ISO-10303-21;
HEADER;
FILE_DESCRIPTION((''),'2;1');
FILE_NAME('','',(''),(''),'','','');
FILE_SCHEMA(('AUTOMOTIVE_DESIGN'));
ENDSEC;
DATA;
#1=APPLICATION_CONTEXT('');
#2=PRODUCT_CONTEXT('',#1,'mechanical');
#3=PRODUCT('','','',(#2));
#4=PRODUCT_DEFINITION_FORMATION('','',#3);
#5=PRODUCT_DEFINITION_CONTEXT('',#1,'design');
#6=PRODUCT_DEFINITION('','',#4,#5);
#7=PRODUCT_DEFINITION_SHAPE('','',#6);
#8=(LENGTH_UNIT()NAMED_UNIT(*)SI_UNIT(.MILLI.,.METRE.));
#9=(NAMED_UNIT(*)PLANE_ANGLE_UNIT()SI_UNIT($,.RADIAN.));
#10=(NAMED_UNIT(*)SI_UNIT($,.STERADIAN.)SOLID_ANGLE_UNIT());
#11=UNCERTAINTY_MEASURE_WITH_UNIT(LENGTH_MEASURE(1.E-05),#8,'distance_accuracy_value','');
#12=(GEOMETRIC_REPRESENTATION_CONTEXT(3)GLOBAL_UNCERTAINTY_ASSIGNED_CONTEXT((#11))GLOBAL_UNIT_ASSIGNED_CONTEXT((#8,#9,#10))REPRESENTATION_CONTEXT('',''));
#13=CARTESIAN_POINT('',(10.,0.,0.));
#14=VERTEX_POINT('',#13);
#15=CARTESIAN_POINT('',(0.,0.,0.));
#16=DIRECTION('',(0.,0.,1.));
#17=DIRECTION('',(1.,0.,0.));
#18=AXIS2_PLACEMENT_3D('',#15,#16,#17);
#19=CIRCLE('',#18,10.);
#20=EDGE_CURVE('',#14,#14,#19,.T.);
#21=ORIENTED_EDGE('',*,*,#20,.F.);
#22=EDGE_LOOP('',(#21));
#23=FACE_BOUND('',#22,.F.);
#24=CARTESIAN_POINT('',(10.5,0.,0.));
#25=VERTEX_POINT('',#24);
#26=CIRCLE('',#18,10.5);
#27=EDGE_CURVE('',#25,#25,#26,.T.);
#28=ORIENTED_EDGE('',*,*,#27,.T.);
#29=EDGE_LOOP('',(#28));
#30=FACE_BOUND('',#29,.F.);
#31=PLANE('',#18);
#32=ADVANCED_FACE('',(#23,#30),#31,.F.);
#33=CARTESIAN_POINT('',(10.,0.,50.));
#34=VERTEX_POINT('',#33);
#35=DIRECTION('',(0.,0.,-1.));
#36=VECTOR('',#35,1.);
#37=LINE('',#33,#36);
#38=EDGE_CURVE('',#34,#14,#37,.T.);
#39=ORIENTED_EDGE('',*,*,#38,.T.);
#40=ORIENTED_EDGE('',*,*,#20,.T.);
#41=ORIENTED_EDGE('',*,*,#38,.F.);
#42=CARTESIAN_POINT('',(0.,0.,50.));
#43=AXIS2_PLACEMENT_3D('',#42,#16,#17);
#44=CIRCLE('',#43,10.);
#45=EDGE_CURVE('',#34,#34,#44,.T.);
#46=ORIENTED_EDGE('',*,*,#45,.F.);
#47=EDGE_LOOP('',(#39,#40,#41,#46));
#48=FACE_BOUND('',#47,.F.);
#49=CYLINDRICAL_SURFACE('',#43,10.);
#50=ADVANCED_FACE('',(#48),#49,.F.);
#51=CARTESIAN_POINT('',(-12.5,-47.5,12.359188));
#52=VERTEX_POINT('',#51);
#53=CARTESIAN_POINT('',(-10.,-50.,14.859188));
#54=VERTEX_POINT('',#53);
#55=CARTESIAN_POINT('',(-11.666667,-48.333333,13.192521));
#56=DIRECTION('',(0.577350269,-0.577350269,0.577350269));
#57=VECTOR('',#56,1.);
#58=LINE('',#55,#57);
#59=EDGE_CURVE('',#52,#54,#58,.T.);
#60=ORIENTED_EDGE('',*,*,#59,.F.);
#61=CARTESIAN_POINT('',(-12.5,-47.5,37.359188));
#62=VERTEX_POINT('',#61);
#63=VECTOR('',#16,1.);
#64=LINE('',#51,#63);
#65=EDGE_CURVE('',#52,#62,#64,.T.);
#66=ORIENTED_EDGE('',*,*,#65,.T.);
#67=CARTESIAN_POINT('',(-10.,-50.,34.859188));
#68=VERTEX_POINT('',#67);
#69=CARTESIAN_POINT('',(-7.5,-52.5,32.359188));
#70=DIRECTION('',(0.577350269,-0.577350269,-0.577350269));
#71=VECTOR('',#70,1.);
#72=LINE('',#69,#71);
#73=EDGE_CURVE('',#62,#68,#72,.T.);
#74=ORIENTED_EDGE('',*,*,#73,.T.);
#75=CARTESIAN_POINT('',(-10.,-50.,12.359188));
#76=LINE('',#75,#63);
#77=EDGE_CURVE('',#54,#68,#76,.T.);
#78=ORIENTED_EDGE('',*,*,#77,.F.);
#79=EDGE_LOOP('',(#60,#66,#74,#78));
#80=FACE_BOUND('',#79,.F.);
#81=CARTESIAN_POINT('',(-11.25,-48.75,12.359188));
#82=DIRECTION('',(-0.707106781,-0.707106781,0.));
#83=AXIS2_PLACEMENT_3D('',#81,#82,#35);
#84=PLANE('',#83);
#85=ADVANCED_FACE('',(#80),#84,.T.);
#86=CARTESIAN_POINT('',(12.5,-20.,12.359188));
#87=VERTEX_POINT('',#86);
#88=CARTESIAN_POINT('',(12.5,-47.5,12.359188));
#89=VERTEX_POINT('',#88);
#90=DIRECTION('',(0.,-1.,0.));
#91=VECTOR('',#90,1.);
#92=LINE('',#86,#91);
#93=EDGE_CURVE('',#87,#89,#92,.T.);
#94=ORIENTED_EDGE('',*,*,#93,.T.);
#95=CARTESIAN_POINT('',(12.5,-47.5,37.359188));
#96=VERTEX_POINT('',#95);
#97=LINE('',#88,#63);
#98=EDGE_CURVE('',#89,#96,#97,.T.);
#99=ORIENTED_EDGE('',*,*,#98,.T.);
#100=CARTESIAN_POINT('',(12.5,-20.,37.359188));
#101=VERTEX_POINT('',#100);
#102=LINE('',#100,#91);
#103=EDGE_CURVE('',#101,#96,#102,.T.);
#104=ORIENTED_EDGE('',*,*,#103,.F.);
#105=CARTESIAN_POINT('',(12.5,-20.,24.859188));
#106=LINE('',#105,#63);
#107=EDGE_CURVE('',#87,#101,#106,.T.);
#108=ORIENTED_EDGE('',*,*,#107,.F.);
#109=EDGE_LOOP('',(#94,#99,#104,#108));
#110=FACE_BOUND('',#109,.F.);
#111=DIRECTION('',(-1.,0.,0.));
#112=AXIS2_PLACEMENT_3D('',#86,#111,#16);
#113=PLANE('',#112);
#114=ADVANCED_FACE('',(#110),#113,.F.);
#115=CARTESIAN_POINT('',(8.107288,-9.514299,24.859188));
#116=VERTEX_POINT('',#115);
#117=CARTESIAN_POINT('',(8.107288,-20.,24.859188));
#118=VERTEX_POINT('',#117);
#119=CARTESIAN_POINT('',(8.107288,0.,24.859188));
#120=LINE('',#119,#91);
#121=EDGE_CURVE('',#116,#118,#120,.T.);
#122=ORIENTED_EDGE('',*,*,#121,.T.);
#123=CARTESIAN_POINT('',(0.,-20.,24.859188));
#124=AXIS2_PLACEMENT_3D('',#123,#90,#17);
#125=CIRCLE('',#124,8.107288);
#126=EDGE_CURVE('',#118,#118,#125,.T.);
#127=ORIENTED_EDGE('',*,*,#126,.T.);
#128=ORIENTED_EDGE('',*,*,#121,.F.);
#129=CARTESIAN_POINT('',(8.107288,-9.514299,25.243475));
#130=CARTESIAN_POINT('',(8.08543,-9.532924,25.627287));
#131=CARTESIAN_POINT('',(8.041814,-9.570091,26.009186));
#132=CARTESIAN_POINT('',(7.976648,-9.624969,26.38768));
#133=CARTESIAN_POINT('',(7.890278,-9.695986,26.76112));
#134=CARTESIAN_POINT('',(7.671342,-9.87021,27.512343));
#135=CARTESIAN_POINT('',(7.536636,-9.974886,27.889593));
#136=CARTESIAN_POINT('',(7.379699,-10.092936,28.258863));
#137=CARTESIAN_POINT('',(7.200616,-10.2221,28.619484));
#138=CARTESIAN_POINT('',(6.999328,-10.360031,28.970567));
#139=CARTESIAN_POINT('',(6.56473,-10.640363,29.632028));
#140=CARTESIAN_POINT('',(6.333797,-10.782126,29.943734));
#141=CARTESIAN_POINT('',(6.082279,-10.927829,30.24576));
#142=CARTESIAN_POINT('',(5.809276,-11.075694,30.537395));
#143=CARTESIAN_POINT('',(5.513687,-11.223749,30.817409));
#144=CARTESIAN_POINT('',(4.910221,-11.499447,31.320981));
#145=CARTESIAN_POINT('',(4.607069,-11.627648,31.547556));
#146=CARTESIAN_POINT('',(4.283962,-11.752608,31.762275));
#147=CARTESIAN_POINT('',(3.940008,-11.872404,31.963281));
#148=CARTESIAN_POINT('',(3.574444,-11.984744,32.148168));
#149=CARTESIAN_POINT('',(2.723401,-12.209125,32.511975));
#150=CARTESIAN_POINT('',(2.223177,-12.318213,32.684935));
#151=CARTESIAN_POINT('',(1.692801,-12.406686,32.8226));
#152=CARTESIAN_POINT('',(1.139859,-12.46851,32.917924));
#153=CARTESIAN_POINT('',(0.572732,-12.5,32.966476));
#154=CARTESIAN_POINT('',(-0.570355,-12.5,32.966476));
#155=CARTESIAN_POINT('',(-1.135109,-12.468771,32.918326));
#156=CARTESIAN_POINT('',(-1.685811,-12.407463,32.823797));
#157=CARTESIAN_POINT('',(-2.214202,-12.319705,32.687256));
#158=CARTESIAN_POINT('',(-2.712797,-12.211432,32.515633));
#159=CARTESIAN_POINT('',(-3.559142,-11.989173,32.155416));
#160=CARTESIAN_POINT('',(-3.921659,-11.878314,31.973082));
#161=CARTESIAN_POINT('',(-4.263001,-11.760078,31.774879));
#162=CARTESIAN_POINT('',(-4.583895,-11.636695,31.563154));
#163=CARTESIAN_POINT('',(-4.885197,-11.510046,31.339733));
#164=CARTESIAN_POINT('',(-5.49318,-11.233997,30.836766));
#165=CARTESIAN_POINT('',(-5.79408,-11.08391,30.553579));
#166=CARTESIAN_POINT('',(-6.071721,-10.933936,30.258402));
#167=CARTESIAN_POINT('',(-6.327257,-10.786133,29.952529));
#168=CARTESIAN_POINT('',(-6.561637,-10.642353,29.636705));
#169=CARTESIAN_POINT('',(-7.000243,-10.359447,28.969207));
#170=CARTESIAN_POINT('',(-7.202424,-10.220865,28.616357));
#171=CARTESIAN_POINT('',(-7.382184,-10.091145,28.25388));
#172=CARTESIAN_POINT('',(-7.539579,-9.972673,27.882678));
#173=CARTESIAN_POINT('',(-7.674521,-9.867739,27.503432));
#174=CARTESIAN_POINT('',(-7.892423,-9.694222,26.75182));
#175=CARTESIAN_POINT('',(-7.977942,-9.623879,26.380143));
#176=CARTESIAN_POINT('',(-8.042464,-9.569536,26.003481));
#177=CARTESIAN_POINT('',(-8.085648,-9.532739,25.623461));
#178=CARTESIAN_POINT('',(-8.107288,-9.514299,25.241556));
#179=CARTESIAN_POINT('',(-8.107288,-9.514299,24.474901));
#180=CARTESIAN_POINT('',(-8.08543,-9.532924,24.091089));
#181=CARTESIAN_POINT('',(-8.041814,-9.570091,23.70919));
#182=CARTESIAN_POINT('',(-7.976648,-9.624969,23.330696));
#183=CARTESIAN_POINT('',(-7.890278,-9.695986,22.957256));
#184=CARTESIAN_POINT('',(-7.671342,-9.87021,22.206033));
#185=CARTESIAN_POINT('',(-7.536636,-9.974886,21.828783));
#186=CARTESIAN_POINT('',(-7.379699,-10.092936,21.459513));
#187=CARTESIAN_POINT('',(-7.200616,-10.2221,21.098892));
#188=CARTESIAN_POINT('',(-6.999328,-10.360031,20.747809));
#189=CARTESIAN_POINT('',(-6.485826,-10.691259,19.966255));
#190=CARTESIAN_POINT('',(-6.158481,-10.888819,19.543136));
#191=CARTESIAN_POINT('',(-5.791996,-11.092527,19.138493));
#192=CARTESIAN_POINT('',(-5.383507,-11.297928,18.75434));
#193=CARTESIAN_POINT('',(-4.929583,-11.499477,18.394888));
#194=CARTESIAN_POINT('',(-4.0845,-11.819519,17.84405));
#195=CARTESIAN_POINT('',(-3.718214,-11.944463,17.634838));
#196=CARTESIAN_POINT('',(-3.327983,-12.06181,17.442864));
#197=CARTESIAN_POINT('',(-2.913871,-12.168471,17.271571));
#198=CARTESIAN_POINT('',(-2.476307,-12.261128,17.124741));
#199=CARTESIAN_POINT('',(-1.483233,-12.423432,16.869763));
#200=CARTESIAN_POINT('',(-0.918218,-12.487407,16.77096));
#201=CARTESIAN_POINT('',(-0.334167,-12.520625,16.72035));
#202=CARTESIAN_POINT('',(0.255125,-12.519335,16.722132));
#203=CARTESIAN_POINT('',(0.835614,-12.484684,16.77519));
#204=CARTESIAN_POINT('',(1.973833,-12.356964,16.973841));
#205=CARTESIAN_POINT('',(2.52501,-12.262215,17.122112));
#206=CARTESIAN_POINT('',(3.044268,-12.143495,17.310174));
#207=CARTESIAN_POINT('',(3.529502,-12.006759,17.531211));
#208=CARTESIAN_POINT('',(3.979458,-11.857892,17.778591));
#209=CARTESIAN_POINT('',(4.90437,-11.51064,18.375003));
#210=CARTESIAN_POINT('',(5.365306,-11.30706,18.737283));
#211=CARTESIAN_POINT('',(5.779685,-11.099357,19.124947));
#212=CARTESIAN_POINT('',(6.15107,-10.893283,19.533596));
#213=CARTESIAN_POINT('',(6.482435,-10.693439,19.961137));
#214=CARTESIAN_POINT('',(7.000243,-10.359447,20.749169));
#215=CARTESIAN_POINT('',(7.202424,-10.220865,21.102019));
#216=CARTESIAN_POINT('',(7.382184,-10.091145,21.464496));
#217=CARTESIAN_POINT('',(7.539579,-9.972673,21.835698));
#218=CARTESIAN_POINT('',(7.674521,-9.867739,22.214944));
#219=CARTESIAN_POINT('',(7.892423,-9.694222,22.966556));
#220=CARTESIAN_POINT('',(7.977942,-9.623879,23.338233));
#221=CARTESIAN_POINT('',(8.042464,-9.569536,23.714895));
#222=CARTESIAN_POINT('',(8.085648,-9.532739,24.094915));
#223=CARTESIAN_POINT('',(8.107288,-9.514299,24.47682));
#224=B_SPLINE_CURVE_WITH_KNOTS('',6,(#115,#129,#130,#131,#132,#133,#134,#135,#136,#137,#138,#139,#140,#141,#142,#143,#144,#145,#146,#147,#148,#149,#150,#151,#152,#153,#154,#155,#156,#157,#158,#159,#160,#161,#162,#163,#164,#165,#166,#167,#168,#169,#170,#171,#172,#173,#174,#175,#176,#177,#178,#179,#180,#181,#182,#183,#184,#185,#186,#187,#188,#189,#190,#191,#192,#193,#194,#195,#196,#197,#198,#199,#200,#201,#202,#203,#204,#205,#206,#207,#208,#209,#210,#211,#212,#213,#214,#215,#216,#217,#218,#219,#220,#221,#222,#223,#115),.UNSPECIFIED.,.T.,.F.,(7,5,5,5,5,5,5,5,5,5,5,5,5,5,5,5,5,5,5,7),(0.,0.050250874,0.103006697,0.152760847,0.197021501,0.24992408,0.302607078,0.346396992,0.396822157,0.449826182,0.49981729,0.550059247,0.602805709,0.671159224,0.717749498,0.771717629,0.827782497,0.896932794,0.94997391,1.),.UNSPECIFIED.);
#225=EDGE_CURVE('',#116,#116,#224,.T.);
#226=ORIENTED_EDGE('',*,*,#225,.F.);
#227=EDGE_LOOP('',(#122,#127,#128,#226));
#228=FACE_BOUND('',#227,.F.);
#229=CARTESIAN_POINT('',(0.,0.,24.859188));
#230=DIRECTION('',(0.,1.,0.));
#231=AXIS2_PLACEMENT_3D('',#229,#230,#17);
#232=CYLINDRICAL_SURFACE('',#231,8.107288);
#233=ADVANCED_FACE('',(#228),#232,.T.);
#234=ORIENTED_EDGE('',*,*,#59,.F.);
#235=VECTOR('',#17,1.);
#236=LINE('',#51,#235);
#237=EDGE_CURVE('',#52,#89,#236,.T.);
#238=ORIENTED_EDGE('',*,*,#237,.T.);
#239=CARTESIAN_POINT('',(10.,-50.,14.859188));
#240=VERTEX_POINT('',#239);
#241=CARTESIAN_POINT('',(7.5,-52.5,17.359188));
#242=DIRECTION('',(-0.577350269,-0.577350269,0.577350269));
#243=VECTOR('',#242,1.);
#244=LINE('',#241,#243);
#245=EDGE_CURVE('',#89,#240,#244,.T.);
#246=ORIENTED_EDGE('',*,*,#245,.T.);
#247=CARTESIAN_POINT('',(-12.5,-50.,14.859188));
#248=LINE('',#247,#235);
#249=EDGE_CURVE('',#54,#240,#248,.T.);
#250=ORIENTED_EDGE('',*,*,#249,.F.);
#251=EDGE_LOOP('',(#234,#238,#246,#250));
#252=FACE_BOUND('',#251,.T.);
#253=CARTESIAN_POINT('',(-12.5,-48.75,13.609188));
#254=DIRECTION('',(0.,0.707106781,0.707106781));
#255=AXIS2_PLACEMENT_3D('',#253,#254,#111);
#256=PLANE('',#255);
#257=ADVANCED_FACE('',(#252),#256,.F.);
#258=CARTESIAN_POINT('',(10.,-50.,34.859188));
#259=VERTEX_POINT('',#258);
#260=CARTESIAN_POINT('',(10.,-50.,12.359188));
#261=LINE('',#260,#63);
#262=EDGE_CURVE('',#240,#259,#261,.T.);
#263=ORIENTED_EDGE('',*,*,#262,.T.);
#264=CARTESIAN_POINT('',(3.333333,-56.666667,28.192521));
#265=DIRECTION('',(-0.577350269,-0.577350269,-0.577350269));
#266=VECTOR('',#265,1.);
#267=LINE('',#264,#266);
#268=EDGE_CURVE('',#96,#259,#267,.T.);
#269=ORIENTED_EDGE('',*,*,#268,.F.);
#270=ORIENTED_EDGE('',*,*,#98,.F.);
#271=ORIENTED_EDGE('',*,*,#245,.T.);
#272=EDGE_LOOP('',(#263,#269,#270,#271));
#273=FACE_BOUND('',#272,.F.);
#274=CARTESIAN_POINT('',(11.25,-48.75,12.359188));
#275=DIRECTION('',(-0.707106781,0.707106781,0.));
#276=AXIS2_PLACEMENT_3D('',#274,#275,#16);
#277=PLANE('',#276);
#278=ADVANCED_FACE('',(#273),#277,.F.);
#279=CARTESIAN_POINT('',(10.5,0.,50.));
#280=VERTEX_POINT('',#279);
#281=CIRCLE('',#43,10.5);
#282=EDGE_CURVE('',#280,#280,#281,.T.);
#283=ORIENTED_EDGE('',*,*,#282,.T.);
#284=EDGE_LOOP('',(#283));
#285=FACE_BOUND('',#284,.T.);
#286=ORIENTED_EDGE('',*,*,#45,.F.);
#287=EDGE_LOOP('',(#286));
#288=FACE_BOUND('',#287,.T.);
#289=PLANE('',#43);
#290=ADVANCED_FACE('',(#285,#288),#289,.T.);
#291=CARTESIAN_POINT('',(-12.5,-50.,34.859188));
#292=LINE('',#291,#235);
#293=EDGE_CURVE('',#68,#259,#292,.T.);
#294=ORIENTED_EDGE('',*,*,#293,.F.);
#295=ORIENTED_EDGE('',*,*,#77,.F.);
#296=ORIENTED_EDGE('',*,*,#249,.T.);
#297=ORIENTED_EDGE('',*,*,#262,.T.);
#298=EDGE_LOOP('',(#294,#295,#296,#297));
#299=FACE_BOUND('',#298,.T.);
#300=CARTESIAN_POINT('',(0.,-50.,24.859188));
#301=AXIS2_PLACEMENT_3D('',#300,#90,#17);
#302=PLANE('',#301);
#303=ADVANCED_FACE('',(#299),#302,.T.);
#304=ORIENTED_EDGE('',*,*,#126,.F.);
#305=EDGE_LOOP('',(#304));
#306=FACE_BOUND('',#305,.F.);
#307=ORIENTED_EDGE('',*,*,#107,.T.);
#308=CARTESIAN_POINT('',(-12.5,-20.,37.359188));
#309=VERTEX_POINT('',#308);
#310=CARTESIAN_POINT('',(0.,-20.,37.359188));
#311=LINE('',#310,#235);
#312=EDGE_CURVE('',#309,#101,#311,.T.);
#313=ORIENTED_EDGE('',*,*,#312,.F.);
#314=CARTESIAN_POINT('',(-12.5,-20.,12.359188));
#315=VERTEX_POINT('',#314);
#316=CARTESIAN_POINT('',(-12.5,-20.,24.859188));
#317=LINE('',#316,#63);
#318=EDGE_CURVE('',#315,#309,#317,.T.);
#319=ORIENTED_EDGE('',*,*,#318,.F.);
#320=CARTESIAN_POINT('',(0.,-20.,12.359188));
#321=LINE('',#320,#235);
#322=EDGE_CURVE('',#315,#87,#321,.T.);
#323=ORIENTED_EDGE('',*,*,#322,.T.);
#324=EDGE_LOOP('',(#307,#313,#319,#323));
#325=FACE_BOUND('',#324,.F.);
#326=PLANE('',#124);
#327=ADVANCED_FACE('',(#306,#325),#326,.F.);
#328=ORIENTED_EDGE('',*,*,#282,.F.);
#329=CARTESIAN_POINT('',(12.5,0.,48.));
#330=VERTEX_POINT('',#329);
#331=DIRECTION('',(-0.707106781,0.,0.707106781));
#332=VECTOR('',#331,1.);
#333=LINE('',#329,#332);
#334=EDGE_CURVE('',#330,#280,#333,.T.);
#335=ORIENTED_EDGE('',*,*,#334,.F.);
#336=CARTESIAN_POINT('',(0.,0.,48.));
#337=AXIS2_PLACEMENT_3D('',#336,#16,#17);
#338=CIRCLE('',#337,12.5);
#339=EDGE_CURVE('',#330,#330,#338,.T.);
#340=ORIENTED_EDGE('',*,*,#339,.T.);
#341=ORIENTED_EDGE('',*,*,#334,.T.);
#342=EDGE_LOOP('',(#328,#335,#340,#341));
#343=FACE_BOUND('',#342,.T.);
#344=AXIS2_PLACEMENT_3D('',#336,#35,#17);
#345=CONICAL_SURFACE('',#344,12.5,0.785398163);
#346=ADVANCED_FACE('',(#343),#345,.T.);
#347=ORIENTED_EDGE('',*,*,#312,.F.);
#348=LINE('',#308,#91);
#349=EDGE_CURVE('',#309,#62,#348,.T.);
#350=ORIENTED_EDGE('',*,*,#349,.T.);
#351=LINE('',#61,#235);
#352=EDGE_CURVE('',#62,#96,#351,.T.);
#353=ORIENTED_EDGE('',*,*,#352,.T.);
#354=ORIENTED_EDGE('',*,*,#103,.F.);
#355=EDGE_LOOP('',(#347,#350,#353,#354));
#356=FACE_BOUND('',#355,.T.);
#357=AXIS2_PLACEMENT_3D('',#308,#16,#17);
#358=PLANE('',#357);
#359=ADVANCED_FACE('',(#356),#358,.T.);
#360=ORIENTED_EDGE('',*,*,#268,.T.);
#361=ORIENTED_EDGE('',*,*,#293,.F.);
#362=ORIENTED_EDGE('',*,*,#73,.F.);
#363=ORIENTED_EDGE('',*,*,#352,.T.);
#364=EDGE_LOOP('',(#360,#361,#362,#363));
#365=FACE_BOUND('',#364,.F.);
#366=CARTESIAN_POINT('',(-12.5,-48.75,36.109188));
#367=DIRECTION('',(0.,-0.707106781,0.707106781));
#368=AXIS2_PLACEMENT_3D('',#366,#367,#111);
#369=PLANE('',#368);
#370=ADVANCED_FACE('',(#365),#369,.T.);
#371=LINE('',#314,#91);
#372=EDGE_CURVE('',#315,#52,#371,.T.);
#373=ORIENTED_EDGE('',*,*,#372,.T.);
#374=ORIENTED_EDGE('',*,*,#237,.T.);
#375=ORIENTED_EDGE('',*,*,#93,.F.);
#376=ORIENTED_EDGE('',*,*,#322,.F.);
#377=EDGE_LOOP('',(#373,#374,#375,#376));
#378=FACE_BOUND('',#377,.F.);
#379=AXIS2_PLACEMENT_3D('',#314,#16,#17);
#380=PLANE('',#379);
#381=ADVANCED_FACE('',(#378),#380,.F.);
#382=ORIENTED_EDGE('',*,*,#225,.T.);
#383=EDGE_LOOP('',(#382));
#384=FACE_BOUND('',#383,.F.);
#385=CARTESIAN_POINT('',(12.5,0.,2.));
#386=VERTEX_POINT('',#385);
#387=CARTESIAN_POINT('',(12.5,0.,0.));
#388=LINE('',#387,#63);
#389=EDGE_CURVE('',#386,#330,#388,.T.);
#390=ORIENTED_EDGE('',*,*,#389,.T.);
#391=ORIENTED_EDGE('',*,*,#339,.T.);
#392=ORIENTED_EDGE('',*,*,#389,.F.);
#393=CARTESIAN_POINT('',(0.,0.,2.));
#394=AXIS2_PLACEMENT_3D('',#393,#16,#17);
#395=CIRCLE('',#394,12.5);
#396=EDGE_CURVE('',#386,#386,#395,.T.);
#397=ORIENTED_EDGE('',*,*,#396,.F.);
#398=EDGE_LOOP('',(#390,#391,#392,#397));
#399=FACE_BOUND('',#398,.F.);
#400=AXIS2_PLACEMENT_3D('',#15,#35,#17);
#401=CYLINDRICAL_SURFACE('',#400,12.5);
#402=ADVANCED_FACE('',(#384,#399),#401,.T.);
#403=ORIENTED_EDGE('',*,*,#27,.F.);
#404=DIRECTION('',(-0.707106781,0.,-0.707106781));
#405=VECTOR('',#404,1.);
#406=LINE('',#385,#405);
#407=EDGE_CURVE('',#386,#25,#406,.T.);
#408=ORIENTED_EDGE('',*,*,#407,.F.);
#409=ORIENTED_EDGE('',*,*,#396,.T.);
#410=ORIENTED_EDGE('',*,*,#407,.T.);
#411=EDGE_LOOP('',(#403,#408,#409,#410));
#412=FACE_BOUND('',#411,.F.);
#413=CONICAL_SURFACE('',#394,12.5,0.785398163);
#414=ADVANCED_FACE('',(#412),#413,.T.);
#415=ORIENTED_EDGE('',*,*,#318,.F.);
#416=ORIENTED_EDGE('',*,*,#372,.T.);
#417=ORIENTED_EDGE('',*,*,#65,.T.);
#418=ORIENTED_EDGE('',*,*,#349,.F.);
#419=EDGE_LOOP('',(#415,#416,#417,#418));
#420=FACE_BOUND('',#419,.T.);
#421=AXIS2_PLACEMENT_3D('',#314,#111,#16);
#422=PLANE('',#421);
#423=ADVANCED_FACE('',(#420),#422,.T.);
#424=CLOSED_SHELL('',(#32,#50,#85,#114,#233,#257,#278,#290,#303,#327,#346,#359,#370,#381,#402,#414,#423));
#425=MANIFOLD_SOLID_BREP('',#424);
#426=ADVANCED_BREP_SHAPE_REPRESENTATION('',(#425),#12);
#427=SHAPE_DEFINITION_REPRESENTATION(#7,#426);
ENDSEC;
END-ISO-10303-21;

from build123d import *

# Parameters (mm, degrees)
F0_R     = 12.5
F1_DEPTH = 50
F2_SIZE  = 2
F3_R     = 8.107288
F4_DEPTH = 20
F5_W     = 25
F5_H     = 25
F6_DEPTH = 30
F7_SIZE  = 2.5
F8_R     = 10
F9_DEPTH = 50.001


with BuildPart() as f1:
    # F0 (on Top) → F1 (new body)
    with BuildSketch(Plane.XY):
        Circle(F0_R)
    extrude(amount=F1_DEPTH)

    # F2
    f2_edges = [f1.edges().sort_by_distance(p)[0] for p in [
        (-12.5, 0, 50),
        (-12.5, 0, 0),
    ]]
    chamfer(f2_edges, length=F2_SIZE)

    # F3 (on Front) → F4 (join)
    with BuildSketch(Plane.XZ):
        with Locations((0, 24.859188)):
            Circle(F3_R)
    extrude(amount=F4_DEPTH)

    # F5 (on face) → F6 (join)
    with BuildSketch(Plane.XZ.offset(20)):
        with Locations((0, 24.859188)):
            Rectangle(F5_W, F5_H)
    extrude(amount=F6_DEPTH)

    # F7
    f7_edges = [f1.edges().sort_by_distance(p)[0] for p in [
        (0, -50, 37.359188),
        (-12.5, -50, 24.859188),
        (0, -50, 12.359188),
        (12.5, -50, 24.859188),
    ]]
    chamfer(f7_edges, length=F7_SIZE)

    # F8 (on face) → F9 (cut, through all)
    with BuildSketch(Plane.XY.offset(50)):
        Circle(F8_R)
    extrude(amount=-F9_DEPTH, mode=Mode.SUBTRACT)


solid = f1.part
